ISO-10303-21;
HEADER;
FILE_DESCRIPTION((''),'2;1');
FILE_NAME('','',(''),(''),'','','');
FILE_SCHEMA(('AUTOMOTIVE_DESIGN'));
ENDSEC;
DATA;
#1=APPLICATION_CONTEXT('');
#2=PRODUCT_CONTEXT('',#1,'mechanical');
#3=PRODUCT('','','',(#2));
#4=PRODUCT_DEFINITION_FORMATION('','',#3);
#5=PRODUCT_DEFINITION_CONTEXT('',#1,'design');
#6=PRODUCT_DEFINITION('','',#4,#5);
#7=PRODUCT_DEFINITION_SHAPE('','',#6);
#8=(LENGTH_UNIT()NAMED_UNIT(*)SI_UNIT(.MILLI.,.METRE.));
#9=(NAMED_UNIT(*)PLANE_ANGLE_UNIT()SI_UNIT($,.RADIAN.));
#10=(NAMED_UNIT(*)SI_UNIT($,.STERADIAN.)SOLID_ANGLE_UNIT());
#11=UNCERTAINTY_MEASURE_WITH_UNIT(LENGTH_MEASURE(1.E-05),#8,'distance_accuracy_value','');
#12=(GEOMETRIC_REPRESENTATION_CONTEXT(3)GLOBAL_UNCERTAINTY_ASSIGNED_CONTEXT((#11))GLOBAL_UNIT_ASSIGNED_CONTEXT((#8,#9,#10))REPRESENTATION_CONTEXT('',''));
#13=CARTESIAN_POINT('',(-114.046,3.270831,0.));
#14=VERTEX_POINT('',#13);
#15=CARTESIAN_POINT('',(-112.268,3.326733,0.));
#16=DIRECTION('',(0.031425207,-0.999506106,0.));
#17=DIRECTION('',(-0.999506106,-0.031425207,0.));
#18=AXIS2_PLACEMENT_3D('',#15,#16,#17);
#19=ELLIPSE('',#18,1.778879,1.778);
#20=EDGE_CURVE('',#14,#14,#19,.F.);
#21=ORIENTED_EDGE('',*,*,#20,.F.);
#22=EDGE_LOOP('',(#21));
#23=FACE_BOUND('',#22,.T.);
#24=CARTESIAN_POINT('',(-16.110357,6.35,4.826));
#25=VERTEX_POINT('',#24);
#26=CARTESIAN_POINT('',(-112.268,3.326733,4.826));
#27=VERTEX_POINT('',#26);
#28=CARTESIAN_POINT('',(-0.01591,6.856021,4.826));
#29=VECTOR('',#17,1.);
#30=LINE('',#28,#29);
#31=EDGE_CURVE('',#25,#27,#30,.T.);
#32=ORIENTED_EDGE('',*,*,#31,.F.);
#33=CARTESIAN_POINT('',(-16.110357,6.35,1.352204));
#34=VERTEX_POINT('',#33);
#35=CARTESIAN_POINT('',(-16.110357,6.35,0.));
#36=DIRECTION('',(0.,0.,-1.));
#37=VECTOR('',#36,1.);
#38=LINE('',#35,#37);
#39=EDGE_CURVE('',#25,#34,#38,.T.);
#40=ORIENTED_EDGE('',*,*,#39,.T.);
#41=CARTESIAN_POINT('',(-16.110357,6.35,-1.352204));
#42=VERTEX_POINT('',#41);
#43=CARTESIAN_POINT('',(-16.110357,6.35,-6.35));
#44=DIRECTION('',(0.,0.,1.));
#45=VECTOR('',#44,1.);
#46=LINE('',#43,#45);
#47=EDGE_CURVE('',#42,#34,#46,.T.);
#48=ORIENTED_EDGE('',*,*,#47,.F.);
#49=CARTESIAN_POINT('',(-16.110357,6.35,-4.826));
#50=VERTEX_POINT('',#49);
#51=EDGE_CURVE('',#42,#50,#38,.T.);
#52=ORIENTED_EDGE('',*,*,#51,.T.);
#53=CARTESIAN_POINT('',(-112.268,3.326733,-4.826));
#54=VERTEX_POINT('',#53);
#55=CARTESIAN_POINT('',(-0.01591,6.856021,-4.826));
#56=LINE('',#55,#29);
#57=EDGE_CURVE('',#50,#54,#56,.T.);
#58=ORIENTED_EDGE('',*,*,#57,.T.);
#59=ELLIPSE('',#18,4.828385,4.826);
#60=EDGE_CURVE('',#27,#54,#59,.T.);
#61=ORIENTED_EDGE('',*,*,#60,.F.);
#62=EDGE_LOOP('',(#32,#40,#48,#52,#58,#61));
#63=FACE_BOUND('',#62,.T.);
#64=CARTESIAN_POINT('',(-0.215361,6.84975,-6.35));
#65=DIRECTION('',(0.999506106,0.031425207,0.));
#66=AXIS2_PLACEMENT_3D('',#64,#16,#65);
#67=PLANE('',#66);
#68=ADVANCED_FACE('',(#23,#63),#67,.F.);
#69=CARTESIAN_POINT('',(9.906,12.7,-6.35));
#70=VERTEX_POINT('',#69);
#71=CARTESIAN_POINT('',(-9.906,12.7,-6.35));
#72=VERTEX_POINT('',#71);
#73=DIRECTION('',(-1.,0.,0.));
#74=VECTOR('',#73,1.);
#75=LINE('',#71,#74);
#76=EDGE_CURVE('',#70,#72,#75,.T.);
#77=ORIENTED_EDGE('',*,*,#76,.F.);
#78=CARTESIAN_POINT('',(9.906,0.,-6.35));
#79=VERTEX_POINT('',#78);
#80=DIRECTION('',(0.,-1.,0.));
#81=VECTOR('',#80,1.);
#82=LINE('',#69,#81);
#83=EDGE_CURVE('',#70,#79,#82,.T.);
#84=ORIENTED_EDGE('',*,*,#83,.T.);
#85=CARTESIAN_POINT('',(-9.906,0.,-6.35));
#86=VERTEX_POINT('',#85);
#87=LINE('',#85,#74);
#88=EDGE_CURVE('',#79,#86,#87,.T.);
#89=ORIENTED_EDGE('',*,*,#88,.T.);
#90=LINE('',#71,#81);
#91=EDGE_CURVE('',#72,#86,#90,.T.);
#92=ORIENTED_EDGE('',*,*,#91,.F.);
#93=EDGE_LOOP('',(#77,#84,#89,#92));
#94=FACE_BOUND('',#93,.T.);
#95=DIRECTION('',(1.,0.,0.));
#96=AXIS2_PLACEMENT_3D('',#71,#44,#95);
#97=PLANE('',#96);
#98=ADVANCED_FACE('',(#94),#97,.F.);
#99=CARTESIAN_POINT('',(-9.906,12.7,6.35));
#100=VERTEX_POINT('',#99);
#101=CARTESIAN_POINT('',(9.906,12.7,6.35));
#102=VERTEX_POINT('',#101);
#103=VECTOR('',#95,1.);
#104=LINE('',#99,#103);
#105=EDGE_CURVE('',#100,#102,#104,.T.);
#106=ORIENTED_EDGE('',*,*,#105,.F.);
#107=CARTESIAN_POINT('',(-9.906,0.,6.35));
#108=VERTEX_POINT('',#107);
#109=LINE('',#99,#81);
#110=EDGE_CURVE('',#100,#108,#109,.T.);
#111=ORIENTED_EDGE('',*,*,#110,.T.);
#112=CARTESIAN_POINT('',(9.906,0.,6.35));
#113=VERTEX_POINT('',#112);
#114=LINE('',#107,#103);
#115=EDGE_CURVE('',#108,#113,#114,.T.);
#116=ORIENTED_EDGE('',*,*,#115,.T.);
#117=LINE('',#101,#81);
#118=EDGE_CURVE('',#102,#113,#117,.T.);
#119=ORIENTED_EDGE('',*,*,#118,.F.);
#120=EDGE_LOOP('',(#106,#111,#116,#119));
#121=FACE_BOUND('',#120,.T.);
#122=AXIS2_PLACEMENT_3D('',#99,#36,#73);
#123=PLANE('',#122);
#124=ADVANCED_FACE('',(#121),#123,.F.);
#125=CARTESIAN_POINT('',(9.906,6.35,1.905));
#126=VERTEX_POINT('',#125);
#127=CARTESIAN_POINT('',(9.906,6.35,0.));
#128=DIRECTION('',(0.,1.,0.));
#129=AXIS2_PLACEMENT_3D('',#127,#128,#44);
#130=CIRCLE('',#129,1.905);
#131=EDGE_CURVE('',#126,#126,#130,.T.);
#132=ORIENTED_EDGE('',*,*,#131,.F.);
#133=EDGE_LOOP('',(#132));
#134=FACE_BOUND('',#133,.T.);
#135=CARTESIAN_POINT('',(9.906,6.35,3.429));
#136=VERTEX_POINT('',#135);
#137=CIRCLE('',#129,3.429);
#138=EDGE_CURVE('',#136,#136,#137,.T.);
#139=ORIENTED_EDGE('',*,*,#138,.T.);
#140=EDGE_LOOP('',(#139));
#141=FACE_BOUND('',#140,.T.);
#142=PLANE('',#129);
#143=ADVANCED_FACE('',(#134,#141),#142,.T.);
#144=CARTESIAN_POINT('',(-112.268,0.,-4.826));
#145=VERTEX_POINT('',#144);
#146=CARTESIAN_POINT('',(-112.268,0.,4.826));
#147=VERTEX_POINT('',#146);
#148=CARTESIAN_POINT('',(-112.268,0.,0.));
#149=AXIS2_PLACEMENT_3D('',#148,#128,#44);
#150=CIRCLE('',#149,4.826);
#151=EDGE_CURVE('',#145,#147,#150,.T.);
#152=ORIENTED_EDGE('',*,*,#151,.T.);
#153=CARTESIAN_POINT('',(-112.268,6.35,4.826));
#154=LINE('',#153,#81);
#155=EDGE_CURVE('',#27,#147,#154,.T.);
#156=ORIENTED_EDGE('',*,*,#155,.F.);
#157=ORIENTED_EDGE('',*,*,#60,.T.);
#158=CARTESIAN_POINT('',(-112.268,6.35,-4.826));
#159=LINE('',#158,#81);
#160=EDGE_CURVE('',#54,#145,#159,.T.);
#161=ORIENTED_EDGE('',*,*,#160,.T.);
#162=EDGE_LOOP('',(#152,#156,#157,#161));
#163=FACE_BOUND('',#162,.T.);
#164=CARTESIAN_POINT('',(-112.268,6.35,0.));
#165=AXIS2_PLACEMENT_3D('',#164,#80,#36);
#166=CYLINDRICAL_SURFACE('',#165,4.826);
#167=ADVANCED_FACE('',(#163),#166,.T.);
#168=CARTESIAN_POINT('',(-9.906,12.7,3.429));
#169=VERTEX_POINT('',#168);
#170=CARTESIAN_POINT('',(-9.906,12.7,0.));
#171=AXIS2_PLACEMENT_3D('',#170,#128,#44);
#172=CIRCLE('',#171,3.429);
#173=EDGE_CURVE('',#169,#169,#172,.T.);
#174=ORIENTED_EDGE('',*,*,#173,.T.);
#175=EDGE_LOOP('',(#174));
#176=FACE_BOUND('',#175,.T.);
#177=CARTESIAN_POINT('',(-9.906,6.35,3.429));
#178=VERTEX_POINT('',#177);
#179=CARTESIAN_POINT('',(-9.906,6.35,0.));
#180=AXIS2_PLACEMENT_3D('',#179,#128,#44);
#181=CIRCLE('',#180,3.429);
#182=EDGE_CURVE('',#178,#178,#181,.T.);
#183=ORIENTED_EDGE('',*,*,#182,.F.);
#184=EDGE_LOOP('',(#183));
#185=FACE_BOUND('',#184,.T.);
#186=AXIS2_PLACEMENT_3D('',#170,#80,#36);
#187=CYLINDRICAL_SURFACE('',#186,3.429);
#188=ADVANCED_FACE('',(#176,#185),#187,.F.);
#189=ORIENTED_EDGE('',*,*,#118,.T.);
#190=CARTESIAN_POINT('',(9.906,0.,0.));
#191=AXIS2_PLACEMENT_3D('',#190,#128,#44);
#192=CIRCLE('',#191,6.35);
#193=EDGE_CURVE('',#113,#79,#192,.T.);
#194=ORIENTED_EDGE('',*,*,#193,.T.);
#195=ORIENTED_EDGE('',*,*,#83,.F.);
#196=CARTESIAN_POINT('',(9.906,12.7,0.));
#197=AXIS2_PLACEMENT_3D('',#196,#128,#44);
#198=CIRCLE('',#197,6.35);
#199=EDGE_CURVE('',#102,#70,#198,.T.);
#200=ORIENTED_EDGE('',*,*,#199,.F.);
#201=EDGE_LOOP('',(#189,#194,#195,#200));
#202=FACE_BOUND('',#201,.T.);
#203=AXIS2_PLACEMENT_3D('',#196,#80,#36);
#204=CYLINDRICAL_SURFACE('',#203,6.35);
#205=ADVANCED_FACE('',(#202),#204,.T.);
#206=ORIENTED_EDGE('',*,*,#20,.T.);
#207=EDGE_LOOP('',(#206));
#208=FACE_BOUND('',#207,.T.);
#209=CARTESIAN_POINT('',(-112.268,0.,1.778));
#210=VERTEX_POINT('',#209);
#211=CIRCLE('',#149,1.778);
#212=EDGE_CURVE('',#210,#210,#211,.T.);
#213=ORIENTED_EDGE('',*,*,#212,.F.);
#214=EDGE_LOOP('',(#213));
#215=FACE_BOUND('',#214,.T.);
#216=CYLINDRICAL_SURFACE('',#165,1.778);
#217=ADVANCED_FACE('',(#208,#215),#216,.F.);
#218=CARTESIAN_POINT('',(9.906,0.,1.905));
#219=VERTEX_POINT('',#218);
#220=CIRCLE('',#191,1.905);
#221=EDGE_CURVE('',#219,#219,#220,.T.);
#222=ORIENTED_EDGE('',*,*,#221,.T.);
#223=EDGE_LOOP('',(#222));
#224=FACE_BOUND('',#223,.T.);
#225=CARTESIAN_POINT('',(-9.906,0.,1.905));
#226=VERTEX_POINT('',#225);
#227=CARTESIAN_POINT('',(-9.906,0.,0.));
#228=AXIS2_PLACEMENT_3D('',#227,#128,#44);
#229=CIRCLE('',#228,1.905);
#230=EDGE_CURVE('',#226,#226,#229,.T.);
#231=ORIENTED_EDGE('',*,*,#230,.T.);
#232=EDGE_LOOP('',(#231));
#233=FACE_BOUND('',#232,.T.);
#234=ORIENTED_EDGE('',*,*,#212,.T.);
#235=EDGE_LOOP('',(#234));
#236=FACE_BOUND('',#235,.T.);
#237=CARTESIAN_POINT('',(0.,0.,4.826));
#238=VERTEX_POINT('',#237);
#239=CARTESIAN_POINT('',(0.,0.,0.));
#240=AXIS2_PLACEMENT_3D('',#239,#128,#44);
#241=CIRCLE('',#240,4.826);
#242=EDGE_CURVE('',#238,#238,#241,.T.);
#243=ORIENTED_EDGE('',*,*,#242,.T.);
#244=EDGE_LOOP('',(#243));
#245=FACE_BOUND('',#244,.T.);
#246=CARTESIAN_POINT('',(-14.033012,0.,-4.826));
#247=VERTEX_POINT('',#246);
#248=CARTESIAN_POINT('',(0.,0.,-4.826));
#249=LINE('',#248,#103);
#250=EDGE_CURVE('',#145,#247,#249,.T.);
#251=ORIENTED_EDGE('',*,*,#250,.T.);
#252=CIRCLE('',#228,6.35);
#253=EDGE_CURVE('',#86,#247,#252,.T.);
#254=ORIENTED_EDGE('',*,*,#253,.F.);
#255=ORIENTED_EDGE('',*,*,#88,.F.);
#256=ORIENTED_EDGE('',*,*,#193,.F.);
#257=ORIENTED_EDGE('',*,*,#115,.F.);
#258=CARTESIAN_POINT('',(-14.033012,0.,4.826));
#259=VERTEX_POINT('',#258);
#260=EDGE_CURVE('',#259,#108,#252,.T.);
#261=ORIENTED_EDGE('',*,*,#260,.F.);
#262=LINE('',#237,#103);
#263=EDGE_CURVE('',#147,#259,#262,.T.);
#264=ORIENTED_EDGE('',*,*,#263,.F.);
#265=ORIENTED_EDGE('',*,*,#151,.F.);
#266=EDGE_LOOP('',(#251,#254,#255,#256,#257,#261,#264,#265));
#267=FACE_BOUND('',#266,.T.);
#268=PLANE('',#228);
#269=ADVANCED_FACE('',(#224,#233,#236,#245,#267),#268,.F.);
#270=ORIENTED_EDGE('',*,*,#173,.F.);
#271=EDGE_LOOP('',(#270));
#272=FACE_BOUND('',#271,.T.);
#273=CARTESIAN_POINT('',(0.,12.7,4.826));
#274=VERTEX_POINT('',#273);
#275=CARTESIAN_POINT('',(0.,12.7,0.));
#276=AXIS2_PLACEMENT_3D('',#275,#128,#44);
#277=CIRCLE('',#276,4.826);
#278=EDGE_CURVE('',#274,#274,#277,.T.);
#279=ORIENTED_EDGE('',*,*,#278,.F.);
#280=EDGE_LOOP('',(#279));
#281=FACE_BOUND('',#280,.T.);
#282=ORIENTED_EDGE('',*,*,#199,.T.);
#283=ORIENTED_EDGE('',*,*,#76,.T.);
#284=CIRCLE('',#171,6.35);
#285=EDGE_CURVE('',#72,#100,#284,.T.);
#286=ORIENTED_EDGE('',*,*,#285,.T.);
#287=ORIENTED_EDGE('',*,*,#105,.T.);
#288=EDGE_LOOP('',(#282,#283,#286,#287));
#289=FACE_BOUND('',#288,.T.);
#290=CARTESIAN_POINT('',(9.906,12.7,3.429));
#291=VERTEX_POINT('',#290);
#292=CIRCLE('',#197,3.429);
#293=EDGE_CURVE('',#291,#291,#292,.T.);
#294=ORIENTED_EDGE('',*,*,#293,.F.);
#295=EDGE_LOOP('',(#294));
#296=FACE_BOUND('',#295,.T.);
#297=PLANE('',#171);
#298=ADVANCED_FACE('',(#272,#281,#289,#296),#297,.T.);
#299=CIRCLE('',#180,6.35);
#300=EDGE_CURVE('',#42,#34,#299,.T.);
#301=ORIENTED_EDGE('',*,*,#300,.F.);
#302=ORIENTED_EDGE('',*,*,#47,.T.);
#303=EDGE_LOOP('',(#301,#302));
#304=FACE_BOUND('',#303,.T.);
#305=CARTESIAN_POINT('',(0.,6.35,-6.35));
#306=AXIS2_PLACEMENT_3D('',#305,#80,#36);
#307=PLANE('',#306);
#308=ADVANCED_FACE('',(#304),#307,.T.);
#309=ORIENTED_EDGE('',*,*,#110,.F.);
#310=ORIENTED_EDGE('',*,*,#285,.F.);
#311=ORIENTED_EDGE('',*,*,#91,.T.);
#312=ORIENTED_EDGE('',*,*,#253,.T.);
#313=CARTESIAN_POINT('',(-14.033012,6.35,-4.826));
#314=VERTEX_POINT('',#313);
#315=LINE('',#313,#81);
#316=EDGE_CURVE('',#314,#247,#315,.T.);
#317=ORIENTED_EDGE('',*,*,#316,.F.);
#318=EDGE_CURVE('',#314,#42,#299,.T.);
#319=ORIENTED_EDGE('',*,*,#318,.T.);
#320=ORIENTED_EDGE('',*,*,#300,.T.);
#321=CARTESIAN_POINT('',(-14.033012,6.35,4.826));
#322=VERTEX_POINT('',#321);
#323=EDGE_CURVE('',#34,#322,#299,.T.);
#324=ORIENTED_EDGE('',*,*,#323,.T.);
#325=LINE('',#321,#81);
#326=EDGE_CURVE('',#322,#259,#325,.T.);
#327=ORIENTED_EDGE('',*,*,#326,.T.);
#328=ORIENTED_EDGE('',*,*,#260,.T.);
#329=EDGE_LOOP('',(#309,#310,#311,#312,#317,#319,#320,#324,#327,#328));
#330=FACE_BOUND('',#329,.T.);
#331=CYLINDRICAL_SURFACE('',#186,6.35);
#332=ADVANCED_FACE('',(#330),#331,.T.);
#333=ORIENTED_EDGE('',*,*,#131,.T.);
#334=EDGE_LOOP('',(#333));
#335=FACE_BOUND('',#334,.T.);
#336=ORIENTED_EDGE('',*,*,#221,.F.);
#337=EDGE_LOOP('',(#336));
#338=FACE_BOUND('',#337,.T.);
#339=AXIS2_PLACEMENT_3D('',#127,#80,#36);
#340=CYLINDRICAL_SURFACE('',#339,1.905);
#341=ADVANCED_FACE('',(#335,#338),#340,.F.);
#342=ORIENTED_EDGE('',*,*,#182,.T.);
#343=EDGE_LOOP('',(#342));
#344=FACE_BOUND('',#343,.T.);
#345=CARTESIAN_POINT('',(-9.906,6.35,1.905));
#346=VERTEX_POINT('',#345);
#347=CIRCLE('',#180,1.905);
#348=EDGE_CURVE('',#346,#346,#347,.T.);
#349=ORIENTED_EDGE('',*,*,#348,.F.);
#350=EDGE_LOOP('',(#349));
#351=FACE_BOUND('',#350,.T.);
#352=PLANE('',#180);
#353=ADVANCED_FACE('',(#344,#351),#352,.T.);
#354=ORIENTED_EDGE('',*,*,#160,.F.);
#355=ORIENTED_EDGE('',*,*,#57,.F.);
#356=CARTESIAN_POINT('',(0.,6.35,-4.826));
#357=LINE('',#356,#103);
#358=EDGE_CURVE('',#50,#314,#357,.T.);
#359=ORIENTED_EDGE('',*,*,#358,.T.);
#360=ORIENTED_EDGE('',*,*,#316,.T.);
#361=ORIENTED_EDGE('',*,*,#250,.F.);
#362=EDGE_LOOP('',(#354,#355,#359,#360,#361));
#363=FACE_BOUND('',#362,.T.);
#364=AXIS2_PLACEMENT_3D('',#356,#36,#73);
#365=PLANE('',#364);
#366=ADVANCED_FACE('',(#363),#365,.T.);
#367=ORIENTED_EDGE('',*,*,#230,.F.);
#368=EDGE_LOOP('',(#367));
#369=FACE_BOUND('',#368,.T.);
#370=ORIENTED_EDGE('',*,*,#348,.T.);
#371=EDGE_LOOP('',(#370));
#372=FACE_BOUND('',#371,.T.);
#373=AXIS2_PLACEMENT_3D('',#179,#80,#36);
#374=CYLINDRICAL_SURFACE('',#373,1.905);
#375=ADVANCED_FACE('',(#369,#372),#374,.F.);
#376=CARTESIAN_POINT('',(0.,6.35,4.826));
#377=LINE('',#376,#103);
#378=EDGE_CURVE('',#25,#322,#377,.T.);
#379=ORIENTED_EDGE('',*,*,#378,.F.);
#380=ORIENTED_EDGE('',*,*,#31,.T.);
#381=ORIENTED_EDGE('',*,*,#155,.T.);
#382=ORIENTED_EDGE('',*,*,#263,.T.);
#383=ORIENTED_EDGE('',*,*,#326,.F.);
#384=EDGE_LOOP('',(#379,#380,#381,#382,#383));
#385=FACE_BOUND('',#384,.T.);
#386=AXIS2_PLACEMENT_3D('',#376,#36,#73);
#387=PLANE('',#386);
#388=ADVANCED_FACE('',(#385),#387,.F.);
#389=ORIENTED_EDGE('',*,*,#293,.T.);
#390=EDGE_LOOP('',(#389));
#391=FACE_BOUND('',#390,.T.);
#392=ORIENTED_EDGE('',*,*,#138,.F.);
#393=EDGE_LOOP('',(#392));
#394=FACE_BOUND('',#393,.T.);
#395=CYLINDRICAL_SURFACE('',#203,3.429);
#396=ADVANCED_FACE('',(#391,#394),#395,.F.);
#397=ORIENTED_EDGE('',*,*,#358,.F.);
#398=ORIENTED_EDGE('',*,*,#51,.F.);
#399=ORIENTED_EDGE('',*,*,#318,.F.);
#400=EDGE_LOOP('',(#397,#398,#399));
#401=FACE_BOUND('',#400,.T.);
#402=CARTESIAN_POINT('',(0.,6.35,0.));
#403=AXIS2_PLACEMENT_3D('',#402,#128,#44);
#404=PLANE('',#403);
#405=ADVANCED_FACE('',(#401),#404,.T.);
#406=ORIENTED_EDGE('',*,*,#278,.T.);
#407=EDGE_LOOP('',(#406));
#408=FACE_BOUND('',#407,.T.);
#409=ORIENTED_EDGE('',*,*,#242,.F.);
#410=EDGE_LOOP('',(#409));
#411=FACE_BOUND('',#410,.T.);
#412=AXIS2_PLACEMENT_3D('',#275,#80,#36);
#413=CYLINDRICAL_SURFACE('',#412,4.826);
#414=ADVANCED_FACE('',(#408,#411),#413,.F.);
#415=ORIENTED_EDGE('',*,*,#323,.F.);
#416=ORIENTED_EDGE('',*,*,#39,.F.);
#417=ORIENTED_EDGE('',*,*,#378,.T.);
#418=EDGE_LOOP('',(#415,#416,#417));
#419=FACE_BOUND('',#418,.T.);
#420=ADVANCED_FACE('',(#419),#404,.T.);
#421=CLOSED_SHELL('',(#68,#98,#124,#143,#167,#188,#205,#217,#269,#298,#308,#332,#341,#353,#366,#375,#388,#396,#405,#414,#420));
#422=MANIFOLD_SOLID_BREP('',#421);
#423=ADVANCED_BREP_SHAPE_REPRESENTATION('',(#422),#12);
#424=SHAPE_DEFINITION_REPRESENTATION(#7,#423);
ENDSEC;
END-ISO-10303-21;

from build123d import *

# Parameters (mm, degrees)
SKETCH1_R               = 4.826
SKETCH1_R_2             = 3.429
BOSS_EXTRUDE1_DEPTH     = 12.7
SKETCH2_R               = 3.429
SKETCH2_R_2             = 1.905
BOSS_EXTRUDE2_DEPTH     = 6.35
BOSS_EXTRUDE4_DEPTH     = 6.35
CUT_EXTRUDE1_DEPTH      = 7.35
CUT_EXTRUDE1_DEPTH_BACK = 7.35
SKETCH6_R               = 1.778
CUT_EXTRUDE2_DEPTH      = 6.35


with BuildPart() as part:
    # Sketch1 → Boss-Extrude1 (new body)
    with BuildSketch(Plane(origin=(0, 0, 0), x_dir=(1, 0, 0), z_dir=(0, 1, 0))):
        with BuildLine():
            Line((-9.906, 6.35), (9.906, 6.35))
            ThreePointArc((9.906, 6.35), (16.256, 0), (9.906, -6.35))
            Line((9.906, -6.35), (-9.906, -6.35))
            ThreePointArc((-9.906, -6.35), (-16.256, 0), (-9.906, 6.35))
        make_face()
        Circle(SKETCH1_R, mode=Mode.SUBTRACT)
        with Locations((9.906, 0)):
            Circle(SKETCH1_R_2, mode=Mode.SUBTRACT)
        with Locations((-9.906, 0)):
            Circle(SKETCH1_R_2, mode=Mode.SUBTRACT)
    extrude(amount=BOSS_EXTRUDE1_DEPTH)

    # Sketch2 → Boss-Extrude2 (add)
    with BuildSketch(Plane(origin=(0, 0, 0), x_dir=(1, 0, 0), z_dir=(0, 1, 0))):
        with Locations((-9.906, 0)):
            Circle(SKETCH2_R)
        with Locations((-9.906, 0)):
            Circle(SKETCH2_R_2, mode=Mode.SUBTRACT)
        with Locations((9.906, 0)):
            Circle(SKETCH2_R)
        with Locations((9.906, 0)):
            Circle(SKETCH2_R_2, mode=Mode.SUBTRACT)
    extrude(amount=BOSS_EXTRUDE2_DEPTH)

    # Sketch4 → Boss-Extrude4 (add)
    with BuildSketch(Plane(origin=(0, 0, 0), x_dir=(1, 0, 0), z_dir=(0, 1, 0))):
        with BuildLine():
            ThreePointArc((-14.03301151, -4.826), (-15.67353947, -2.656687497), (-16.256, 0))
            Line((-16.256, 0), (-112.268, 0))
            Line((-112.268, 0), (-112.268, -4.826))
            Line((-112.268, -4.826), (-14.03301151, -4.826))
        make_face()
        with BuildLine():
            Line((-112.268, 0), (-16.256, 0))
            ThreePointArc((-16.256, 0), (-15.67353947, 2.656687497), (-14.03301151, 4.826))
            Line((-14.03301151, 4.826), (-112.268, 4.826))
            ThreePointArc((-112.268, 4.826), (-117.094, 0), (-112.268, -4.826))
            Line((-112.268, -4.826), (-112.268, 0))
        make_face()
    extrude(amount=BOSS_EXTRUDE4_DEPTH)

    # Sketch5 → Cut-Extrude1 (cut, two sides)
    with BuildSketch(Plane.XY) as cut_extrude1_sk:
        Polygon((-117.094, 6.35), (-16.110356901, 6.35), (-117.094, 3.175), align=None)
    extrude(amount=CUT_EXTRUDE1_DEPTH, mode=Mode.SUBTRACT)
    extrude(cut_extrude1_sk.sketch, amount=-CUT_EXTRUDE1_DEPTH_BACK, mode=Mode.SUBTRACT)

    # Sketch6 → Cut-Extrude2 (cut)
    with BuildSketch(Plane(origin=(0, 0, 0), x_dir=(1, 0, 0), z_dir=(0, 1, 0))):
        with Locations((-112.268, 0)):
            Circle(SKETCH6_R)
    extrude(amount=CUT_EXTRUDE2_DEPTH, mode=Mode.SUBTRACT)


solid = part.part
